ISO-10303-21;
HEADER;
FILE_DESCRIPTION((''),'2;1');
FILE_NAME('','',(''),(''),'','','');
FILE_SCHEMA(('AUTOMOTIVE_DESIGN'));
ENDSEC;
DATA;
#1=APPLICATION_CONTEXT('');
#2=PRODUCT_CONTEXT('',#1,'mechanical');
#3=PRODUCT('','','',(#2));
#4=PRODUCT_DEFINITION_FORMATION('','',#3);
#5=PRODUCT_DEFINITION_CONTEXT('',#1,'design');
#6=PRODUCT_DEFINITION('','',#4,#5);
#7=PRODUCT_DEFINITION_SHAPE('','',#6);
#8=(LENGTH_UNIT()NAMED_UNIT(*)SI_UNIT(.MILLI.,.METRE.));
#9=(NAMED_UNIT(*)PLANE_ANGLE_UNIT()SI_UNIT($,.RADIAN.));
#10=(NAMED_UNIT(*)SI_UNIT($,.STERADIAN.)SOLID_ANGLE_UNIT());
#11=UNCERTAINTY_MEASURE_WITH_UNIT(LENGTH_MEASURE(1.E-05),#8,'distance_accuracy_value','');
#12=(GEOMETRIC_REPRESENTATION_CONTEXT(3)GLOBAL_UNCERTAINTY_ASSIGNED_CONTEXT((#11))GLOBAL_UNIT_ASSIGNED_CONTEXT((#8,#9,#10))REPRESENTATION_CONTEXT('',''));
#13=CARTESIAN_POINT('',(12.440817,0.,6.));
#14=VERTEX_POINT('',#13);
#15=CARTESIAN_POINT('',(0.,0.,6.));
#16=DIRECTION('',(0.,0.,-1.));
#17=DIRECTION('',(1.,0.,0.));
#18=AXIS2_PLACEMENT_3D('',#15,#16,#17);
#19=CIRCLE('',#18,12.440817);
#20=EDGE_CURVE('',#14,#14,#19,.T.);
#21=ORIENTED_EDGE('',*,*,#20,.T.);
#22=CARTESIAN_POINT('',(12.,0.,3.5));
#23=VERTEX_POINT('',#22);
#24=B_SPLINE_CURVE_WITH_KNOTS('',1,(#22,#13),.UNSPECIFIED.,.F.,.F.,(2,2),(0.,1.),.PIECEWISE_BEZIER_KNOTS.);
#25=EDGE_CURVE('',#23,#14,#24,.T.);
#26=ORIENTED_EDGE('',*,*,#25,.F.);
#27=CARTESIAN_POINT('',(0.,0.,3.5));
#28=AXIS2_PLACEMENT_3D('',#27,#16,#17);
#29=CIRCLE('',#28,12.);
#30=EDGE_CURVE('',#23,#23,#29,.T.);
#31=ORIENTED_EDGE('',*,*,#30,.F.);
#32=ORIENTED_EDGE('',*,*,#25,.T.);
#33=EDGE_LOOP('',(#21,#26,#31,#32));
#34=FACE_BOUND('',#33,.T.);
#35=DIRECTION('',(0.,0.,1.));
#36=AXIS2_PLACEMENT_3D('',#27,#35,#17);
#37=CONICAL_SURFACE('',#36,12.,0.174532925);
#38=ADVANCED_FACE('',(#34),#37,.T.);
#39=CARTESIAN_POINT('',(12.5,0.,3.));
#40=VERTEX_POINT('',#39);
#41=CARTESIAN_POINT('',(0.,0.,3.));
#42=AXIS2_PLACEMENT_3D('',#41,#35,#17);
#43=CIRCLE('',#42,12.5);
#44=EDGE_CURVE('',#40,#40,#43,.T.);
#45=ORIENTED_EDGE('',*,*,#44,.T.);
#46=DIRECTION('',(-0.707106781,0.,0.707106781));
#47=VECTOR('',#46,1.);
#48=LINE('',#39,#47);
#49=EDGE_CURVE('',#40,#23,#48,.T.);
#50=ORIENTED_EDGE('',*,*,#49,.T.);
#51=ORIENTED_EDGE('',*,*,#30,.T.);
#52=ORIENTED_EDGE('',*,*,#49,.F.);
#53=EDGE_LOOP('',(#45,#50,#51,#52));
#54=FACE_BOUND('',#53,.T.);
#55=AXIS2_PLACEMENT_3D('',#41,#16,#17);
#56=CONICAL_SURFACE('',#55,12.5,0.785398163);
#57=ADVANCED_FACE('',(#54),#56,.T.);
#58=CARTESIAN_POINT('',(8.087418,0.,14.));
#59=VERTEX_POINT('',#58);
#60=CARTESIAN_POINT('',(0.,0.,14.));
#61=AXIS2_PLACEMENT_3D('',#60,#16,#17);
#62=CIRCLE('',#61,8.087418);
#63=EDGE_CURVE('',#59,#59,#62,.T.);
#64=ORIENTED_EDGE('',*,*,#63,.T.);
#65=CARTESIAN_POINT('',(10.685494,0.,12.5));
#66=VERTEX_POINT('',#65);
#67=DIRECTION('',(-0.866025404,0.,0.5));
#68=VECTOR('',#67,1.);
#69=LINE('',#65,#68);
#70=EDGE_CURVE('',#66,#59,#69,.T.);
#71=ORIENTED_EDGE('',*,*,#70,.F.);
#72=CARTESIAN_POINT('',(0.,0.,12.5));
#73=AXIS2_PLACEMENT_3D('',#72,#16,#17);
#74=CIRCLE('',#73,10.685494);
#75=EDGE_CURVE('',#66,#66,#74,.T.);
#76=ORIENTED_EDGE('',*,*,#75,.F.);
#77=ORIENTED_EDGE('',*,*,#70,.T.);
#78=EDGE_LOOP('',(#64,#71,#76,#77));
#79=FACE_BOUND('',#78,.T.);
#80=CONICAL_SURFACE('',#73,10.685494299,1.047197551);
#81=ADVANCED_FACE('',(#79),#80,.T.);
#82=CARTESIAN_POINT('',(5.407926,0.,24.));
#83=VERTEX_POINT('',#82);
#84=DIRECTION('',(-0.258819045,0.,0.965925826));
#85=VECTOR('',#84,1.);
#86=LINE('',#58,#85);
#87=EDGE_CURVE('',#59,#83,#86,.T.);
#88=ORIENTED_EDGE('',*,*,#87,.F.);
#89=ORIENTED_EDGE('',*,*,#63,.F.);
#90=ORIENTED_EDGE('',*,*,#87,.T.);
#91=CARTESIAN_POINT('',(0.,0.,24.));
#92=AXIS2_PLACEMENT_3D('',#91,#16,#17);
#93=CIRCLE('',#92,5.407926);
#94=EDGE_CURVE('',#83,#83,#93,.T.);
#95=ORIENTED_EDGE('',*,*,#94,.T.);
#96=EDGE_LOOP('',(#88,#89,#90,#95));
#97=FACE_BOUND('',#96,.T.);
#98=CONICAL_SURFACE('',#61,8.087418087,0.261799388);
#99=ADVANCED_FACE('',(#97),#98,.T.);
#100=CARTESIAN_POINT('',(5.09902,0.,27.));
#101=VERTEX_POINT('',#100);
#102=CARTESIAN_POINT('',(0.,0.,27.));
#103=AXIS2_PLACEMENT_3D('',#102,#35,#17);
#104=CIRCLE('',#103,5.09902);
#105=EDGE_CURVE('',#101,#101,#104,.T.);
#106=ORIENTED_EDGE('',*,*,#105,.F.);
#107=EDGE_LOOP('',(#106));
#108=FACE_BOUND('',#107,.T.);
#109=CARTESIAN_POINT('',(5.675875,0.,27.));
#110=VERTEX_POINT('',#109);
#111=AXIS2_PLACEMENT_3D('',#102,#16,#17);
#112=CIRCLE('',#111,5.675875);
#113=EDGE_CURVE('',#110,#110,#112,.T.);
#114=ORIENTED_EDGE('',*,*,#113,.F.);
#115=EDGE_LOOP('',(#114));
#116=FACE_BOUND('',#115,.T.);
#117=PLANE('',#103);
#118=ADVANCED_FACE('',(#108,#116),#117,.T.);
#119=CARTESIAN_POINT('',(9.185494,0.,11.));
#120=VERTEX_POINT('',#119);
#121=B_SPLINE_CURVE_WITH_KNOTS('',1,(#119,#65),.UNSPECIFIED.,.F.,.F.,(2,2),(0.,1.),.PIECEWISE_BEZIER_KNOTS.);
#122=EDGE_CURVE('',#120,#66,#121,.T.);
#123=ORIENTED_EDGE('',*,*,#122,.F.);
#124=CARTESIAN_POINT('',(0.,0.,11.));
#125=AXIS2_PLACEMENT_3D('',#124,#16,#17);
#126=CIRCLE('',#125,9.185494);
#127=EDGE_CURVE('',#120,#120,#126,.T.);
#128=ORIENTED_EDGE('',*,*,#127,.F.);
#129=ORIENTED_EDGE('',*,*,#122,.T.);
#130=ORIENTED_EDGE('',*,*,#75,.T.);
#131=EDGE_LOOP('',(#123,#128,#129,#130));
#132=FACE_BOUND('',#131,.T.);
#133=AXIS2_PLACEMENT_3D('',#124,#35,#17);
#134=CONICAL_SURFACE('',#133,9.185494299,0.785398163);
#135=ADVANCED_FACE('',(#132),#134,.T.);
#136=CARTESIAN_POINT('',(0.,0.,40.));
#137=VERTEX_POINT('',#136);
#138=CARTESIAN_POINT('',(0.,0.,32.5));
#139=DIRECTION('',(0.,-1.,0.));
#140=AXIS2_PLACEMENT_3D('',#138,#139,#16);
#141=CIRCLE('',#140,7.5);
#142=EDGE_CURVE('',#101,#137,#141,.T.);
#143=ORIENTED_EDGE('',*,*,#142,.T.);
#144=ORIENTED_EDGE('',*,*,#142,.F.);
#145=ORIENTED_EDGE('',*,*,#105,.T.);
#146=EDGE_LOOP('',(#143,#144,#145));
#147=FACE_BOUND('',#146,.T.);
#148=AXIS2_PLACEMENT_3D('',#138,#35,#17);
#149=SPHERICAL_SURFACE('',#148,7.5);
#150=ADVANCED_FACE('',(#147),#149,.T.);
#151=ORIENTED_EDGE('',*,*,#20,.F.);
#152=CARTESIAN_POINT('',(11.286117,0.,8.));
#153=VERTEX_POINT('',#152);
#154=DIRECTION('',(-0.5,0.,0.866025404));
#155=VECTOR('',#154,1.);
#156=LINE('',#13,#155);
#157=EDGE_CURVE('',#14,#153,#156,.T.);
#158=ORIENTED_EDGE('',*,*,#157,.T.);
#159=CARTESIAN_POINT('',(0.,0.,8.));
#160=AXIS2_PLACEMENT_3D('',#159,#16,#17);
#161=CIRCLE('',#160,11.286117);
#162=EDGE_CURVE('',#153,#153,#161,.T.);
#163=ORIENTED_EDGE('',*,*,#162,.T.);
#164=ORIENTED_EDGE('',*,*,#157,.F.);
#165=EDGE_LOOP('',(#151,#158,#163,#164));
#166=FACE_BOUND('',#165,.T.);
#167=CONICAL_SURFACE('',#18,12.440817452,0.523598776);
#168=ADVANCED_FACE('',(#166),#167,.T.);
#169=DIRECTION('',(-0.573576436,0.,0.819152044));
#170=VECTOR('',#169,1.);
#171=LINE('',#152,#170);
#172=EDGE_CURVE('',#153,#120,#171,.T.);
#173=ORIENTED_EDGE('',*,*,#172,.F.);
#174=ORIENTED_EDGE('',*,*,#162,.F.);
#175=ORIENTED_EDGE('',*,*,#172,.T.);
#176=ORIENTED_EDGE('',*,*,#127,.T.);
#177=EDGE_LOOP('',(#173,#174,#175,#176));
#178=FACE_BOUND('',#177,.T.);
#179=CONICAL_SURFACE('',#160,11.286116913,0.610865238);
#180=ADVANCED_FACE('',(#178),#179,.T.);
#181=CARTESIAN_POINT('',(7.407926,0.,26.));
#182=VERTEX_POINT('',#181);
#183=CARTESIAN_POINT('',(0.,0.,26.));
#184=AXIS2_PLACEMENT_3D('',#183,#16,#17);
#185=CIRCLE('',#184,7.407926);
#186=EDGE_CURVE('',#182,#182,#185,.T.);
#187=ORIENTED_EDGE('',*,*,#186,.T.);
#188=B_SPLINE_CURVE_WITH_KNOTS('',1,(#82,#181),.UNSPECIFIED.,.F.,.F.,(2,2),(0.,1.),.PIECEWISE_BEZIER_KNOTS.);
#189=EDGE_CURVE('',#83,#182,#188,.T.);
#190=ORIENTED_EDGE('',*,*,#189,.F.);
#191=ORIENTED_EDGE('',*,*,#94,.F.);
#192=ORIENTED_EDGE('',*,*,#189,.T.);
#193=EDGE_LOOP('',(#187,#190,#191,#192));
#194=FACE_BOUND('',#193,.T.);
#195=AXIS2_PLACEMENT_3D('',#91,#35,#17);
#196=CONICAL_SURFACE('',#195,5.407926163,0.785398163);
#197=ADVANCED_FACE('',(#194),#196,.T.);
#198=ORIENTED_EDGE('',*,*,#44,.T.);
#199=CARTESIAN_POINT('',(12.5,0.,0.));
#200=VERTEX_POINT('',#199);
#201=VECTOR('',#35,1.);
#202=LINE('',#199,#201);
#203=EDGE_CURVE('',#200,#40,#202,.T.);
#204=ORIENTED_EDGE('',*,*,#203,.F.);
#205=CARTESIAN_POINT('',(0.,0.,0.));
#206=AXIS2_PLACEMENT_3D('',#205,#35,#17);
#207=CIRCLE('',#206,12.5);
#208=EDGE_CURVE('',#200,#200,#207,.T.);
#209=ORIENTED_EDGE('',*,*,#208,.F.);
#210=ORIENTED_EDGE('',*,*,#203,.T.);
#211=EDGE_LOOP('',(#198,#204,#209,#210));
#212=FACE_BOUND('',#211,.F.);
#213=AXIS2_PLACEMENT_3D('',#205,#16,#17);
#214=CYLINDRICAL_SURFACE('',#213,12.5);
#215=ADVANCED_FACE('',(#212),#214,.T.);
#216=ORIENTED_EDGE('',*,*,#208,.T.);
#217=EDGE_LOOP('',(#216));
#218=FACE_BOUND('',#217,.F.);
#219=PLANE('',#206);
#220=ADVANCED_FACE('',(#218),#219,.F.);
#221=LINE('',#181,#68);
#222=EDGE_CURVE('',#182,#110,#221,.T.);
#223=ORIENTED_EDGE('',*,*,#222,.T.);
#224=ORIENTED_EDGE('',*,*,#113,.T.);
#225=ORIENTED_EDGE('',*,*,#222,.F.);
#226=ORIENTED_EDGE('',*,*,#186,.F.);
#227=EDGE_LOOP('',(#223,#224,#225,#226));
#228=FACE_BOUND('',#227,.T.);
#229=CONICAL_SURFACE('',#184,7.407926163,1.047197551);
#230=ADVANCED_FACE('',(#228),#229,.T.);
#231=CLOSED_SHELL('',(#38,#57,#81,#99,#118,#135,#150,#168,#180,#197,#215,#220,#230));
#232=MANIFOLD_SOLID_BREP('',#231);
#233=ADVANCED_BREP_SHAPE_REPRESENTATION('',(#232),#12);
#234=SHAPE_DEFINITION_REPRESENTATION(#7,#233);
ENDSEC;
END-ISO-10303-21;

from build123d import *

# Parameters (mm, degrees)
F0_R      = 12.5
F1_DEPTH  = 3
F1_FACE_R = 12.5
F2_DEPTH  = 0.5
F2_TAPER  = 45
F2_FACE_R = 12
F3_DEPTH  = 2.5
F3_TAPER  = -10
F3_FACE_R = 12.4408174518
F4_DEPTH  = 2
F4_TAPER  = 30
F4_FACE_R = 11.2861169134
F5_DEPTH  = 3
F5_TAPER  = 35
F5_FACE_R = 9.1854942988
F6_DEPTH  = 1.5
F6_TAPER  = -45
F6_FACE_R = 10.6854942988
F7_DEPTH  = 1.5
F7_TAPER  = 60
F7_FACE_R = 8.0874180874
F8_DEPTH  = 10
F8_TAPER  = 15
F8_FACE_R = 5.4079261631
F9_DEPTH  = 2
F9_TAPER  = -45
F9_FACE_R = 7.4079261631
F10_DEPTH = 1
F10_TAPER = 60


with BuildPart() as f1:
    # F0 (on Top) → F1 (new body)
    with BuildSketch(Plane.XY):
        Circle(F0_R)
    extrude(amount=F1_DEPTH)

    # F1_face (on face) → F2 (join)
    with BuildSketch(Plane.XY.offset(3)):
        Circle(F1_FACE_R)
    extrude(amount=F2_DEPTH, taper=F2_TAPER)

    # F2_face (on face) → F3 (join)
    with BuildSketch(Plane.XY.offset(3.5)):
        Circle(F2_FACE_R)
    extrude(amount=F3_DEPTH, taper=F3_TAPER)

    # F3_face (on face) → F4 (join)
    with BuildSketch(Plane.XY.offset(6)):
        Circle(F3_FACE_R)
    extrude(amount=F4_DEPTH, taper=F4_TAPER)

    # F4_face (on face) → F5 (join)
    with BuildSketch(Plane.XY.offset(8)):
        Circle(F4_FACE_R)
    extrude(amount=F5_DEPTH, taper=F5_TAPER)

    # F5_face (on face) → F6 (join)
    with BuildSketch(Plane.XY.offset(11)):
        Circle(F5_FACE_R)
    extrude(amount=F6_DEPTH, taper=F6_TAPER)

    # F6_face (on face) → F7 (join)
    with BuildSketch(Plane.XY.offset(12.5)):
        Circle(F6_FACE_R)
    extrude(amount=F7_DEPTH, taper=F7_TAPER)

    # F7_face (on face) → F8 (join)
    with BuildSketch(Plane.XY.offset(14)):
        Circle(F7_FACE_R)
    extrude(amount=F8_DEPTH, taper=F8_TAPER)

    # F8_face (on face) → F9 (join)
    with BuildSketch(Plane.XY.offset(24)):
        Circle(F8_FACE_R)
    extrude(amount=F9_DEPTH, taper=F9_TAPER)

    # F9_face (on face) → F10 (join)
    with BuildSketch(Plane.XY.offset(26)):
        Circle(F9_FACE_R)
    extrude(amount=F10_DEPTH, taper=F10_TAPER)

    # F11 (on Front) → F12 (revolve)
    with BuildSketch(Plane.XZ):
        with BuildLine():
            Line((0, 32.5), (0, 25))
            ThreePointArc((0, 25), (5.3033008589, 27.1966991411), (7.5, 32.5))
            ThreePointArc((7.5, 32.5), (5.3033008589, 37.8033008589), (0, 40))
            Line((0, 40), (0, 32.5))
        make_face()
    revolve(axis=Axis((0, 0, 43.8021092117), (0, 0, 1)))


solid = f1.part
